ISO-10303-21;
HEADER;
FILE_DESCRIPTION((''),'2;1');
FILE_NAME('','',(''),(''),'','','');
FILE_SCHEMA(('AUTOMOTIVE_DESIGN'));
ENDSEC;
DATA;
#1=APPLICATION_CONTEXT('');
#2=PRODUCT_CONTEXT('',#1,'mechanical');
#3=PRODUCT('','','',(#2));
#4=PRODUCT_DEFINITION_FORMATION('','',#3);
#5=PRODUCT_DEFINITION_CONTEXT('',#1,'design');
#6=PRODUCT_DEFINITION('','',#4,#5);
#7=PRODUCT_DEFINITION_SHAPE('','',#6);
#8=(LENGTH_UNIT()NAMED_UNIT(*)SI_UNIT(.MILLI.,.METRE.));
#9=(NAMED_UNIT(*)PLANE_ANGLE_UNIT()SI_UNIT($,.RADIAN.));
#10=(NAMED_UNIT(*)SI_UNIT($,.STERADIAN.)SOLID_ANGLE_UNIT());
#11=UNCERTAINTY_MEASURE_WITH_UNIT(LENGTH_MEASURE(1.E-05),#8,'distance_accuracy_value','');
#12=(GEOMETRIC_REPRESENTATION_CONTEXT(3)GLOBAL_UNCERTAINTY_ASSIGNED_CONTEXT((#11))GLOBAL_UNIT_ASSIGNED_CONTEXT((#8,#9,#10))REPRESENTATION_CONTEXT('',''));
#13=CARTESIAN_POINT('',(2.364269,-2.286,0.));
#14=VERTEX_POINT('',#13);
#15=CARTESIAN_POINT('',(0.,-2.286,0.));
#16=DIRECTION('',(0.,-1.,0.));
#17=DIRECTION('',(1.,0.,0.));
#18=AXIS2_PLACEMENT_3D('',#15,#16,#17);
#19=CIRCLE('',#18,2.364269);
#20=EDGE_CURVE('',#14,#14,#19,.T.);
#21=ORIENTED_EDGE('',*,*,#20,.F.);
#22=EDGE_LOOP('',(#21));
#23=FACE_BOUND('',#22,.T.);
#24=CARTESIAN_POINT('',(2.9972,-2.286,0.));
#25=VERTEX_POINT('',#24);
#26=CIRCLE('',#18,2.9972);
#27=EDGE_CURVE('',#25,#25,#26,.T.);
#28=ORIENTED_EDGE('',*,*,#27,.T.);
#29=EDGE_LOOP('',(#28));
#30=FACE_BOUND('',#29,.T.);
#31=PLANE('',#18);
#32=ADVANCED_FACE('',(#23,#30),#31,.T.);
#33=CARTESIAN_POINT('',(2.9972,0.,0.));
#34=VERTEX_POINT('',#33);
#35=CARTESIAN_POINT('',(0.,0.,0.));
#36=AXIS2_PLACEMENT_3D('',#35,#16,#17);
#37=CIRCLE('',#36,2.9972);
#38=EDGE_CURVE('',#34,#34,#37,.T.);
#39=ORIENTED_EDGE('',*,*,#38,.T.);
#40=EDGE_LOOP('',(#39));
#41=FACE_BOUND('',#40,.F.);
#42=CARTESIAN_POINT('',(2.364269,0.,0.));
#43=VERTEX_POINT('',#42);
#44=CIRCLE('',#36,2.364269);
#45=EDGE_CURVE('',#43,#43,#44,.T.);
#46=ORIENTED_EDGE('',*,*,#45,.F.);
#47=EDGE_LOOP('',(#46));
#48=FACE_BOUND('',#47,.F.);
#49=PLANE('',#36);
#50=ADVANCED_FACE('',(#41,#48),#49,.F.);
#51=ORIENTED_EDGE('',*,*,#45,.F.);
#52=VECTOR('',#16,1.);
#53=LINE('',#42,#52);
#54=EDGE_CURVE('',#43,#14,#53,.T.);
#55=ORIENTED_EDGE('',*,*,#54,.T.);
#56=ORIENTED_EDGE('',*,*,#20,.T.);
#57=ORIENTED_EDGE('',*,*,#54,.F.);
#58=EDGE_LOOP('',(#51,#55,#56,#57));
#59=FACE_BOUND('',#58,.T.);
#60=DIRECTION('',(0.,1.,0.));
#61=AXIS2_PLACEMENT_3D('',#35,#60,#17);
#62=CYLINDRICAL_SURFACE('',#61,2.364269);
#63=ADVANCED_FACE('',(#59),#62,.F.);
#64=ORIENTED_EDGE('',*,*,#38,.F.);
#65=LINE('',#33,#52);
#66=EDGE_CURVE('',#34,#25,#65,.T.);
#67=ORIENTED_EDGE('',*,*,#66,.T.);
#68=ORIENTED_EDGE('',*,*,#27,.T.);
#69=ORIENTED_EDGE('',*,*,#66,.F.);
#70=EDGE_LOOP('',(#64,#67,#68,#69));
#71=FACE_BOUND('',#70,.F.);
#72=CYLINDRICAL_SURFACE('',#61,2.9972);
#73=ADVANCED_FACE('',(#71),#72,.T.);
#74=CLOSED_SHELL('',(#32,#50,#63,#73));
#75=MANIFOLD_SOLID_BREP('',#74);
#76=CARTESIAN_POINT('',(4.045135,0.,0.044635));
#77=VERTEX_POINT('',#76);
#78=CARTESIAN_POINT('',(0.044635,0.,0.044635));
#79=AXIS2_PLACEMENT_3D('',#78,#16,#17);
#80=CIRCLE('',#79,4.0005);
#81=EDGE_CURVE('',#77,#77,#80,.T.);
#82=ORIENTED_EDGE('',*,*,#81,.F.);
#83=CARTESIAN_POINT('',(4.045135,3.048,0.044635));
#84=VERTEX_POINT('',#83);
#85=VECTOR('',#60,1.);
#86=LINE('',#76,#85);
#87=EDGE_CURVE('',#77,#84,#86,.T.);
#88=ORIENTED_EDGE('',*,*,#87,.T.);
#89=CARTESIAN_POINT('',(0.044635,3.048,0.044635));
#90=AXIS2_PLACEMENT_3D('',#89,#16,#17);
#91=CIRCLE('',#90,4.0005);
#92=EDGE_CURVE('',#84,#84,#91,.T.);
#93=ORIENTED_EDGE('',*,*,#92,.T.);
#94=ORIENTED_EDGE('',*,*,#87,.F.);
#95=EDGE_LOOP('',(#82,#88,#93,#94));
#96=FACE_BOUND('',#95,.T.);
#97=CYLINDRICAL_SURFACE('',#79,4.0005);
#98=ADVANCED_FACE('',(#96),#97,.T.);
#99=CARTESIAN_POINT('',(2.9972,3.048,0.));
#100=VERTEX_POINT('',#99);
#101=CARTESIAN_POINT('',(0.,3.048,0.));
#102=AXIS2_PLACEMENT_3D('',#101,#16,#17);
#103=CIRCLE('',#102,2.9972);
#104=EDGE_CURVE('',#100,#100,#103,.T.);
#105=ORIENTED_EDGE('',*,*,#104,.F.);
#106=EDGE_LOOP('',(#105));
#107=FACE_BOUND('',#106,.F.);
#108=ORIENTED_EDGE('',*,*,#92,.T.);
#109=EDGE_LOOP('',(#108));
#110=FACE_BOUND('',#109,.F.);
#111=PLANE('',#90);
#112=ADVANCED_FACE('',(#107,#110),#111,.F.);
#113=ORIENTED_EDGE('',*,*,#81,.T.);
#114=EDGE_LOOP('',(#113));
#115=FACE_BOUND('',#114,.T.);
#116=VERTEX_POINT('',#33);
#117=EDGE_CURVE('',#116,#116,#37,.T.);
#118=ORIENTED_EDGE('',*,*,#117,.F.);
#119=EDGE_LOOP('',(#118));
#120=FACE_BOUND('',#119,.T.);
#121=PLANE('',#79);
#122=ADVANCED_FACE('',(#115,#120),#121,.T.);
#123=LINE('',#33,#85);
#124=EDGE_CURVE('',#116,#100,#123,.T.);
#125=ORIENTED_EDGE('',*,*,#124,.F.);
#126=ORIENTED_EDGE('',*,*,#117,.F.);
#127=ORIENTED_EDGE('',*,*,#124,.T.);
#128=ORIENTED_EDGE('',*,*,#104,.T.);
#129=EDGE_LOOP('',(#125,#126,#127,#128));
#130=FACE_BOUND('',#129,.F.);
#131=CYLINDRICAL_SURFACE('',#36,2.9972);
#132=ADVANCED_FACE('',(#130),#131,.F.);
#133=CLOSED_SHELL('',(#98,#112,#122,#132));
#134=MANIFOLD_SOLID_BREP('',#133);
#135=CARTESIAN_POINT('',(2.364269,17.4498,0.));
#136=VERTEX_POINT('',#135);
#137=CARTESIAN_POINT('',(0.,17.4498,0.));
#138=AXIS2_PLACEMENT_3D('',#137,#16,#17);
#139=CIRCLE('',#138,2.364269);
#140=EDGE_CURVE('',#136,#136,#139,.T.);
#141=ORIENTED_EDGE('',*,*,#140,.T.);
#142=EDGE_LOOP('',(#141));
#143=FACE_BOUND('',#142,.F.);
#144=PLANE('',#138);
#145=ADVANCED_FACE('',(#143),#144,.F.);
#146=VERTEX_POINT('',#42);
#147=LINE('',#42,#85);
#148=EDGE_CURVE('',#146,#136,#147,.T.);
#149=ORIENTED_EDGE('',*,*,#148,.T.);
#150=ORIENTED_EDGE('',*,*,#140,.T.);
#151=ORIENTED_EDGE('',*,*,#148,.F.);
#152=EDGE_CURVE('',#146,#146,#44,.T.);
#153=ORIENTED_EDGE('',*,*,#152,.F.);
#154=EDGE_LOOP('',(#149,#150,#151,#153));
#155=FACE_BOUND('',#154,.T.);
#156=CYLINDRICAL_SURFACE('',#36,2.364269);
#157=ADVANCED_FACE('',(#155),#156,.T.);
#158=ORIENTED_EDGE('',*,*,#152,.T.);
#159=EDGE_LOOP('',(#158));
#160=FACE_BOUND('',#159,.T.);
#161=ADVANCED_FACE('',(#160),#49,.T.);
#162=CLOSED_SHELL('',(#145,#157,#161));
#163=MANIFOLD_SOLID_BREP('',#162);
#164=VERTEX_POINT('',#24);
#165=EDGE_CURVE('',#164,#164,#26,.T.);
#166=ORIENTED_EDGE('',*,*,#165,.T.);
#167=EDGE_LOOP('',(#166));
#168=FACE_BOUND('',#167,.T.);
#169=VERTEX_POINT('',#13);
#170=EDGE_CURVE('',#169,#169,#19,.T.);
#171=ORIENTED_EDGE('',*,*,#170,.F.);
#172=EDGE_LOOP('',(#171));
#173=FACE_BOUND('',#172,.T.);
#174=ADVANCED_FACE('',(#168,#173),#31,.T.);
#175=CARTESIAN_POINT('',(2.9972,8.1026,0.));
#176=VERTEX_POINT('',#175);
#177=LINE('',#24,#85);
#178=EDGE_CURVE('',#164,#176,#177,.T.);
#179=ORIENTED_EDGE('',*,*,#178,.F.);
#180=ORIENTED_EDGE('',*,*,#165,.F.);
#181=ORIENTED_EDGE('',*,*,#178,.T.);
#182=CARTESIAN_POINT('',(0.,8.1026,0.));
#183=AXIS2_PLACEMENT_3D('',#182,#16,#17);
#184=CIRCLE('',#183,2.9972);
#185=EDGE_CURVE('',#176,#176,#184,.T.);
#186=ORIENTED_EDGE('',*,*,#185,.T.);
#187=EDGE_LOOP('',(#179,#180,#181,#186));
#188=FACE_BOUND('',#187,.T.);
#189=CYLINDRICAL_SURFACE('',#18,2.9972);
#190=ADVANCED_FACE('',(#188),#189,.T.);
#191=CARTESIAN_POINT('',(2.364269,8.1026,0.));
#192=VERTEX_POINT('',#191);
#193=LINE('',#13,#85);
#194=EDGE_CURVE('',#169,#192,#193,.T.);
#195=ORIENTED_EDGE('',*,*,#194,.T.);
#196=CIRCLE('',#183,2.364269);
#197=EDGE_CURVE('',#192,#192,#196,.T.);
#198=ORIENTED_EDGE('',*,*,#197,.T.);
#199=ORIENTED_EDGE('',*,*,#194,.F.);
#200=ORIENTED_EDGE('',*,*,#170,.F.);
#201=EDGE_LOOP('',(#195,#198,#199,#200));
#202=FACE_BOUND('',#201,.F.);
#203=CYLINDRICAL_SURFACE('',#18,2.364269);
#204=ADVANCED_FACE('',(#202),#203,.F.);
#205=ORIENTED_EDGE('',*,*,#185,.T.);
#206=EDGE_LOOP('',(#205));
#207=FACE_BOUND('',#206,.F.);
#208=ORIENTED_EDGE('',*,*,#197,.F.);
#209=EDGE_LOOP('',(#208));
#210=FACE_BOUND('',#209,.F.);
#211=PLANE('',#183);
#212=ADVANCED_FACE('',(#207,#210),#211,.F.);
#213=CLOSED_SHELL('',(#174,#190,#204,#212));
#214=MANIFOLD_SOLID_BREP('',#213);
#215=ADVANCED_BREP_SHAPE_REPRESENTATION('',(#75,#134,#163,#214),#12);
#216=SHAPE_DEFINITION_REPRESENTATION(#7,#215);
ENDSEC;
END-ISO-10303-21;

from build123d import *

# Parameters (mm, degrees)
F0_R     = 2.9972
F0_R_2   = 2.3642688297
F1_DEPTH = 2.286
F0_R_3   = 4.0005
F2_DEPTH = 3.048
F3_DEPTH = 10.3886
F4_DEPTH = 17.4498


with BuildPart() as f1:
    # F0 (on Front) → F1 (new body)
    with BuildSketch(Plane.XZ):
        Circle(F0_R)
        Circle(F0_R_2, mode=Mode.SUBTRACT)
    extrude(amount=F1_DEPTH)


with BuildPart() as f2:
    # F0 (on Front) → F2 (new body)
    with BuildSketch(Plane.XZ):
        with Locations((0.0446345569, 0.0446349857)):
            Circle(F0_R_3)
        Circle(F0_R, mode=Mode.SUBTRACT)
    extrude(amount=-F2_DEPTH)


with BuildPart() as f3:
    # F3 (new): a face of the model
    f3_faces = [f1.part.faces().sort_by_distance(p)[0] for p in [
        (-2.9124263822, -2.286, 0),
    ]]
    extrude(f3_faces, amount=-F3_DEPTH)


with BuildPart() as f4:
    # F0 (on Front) → F4 (new body)
    with BuildSketch(Plane.XZ):
        Circle(F0_R_2)
    extrude(amount=-F4_DEPTH)


solid = Compound([f1.part, f2.part, f3.part, f4.part])
